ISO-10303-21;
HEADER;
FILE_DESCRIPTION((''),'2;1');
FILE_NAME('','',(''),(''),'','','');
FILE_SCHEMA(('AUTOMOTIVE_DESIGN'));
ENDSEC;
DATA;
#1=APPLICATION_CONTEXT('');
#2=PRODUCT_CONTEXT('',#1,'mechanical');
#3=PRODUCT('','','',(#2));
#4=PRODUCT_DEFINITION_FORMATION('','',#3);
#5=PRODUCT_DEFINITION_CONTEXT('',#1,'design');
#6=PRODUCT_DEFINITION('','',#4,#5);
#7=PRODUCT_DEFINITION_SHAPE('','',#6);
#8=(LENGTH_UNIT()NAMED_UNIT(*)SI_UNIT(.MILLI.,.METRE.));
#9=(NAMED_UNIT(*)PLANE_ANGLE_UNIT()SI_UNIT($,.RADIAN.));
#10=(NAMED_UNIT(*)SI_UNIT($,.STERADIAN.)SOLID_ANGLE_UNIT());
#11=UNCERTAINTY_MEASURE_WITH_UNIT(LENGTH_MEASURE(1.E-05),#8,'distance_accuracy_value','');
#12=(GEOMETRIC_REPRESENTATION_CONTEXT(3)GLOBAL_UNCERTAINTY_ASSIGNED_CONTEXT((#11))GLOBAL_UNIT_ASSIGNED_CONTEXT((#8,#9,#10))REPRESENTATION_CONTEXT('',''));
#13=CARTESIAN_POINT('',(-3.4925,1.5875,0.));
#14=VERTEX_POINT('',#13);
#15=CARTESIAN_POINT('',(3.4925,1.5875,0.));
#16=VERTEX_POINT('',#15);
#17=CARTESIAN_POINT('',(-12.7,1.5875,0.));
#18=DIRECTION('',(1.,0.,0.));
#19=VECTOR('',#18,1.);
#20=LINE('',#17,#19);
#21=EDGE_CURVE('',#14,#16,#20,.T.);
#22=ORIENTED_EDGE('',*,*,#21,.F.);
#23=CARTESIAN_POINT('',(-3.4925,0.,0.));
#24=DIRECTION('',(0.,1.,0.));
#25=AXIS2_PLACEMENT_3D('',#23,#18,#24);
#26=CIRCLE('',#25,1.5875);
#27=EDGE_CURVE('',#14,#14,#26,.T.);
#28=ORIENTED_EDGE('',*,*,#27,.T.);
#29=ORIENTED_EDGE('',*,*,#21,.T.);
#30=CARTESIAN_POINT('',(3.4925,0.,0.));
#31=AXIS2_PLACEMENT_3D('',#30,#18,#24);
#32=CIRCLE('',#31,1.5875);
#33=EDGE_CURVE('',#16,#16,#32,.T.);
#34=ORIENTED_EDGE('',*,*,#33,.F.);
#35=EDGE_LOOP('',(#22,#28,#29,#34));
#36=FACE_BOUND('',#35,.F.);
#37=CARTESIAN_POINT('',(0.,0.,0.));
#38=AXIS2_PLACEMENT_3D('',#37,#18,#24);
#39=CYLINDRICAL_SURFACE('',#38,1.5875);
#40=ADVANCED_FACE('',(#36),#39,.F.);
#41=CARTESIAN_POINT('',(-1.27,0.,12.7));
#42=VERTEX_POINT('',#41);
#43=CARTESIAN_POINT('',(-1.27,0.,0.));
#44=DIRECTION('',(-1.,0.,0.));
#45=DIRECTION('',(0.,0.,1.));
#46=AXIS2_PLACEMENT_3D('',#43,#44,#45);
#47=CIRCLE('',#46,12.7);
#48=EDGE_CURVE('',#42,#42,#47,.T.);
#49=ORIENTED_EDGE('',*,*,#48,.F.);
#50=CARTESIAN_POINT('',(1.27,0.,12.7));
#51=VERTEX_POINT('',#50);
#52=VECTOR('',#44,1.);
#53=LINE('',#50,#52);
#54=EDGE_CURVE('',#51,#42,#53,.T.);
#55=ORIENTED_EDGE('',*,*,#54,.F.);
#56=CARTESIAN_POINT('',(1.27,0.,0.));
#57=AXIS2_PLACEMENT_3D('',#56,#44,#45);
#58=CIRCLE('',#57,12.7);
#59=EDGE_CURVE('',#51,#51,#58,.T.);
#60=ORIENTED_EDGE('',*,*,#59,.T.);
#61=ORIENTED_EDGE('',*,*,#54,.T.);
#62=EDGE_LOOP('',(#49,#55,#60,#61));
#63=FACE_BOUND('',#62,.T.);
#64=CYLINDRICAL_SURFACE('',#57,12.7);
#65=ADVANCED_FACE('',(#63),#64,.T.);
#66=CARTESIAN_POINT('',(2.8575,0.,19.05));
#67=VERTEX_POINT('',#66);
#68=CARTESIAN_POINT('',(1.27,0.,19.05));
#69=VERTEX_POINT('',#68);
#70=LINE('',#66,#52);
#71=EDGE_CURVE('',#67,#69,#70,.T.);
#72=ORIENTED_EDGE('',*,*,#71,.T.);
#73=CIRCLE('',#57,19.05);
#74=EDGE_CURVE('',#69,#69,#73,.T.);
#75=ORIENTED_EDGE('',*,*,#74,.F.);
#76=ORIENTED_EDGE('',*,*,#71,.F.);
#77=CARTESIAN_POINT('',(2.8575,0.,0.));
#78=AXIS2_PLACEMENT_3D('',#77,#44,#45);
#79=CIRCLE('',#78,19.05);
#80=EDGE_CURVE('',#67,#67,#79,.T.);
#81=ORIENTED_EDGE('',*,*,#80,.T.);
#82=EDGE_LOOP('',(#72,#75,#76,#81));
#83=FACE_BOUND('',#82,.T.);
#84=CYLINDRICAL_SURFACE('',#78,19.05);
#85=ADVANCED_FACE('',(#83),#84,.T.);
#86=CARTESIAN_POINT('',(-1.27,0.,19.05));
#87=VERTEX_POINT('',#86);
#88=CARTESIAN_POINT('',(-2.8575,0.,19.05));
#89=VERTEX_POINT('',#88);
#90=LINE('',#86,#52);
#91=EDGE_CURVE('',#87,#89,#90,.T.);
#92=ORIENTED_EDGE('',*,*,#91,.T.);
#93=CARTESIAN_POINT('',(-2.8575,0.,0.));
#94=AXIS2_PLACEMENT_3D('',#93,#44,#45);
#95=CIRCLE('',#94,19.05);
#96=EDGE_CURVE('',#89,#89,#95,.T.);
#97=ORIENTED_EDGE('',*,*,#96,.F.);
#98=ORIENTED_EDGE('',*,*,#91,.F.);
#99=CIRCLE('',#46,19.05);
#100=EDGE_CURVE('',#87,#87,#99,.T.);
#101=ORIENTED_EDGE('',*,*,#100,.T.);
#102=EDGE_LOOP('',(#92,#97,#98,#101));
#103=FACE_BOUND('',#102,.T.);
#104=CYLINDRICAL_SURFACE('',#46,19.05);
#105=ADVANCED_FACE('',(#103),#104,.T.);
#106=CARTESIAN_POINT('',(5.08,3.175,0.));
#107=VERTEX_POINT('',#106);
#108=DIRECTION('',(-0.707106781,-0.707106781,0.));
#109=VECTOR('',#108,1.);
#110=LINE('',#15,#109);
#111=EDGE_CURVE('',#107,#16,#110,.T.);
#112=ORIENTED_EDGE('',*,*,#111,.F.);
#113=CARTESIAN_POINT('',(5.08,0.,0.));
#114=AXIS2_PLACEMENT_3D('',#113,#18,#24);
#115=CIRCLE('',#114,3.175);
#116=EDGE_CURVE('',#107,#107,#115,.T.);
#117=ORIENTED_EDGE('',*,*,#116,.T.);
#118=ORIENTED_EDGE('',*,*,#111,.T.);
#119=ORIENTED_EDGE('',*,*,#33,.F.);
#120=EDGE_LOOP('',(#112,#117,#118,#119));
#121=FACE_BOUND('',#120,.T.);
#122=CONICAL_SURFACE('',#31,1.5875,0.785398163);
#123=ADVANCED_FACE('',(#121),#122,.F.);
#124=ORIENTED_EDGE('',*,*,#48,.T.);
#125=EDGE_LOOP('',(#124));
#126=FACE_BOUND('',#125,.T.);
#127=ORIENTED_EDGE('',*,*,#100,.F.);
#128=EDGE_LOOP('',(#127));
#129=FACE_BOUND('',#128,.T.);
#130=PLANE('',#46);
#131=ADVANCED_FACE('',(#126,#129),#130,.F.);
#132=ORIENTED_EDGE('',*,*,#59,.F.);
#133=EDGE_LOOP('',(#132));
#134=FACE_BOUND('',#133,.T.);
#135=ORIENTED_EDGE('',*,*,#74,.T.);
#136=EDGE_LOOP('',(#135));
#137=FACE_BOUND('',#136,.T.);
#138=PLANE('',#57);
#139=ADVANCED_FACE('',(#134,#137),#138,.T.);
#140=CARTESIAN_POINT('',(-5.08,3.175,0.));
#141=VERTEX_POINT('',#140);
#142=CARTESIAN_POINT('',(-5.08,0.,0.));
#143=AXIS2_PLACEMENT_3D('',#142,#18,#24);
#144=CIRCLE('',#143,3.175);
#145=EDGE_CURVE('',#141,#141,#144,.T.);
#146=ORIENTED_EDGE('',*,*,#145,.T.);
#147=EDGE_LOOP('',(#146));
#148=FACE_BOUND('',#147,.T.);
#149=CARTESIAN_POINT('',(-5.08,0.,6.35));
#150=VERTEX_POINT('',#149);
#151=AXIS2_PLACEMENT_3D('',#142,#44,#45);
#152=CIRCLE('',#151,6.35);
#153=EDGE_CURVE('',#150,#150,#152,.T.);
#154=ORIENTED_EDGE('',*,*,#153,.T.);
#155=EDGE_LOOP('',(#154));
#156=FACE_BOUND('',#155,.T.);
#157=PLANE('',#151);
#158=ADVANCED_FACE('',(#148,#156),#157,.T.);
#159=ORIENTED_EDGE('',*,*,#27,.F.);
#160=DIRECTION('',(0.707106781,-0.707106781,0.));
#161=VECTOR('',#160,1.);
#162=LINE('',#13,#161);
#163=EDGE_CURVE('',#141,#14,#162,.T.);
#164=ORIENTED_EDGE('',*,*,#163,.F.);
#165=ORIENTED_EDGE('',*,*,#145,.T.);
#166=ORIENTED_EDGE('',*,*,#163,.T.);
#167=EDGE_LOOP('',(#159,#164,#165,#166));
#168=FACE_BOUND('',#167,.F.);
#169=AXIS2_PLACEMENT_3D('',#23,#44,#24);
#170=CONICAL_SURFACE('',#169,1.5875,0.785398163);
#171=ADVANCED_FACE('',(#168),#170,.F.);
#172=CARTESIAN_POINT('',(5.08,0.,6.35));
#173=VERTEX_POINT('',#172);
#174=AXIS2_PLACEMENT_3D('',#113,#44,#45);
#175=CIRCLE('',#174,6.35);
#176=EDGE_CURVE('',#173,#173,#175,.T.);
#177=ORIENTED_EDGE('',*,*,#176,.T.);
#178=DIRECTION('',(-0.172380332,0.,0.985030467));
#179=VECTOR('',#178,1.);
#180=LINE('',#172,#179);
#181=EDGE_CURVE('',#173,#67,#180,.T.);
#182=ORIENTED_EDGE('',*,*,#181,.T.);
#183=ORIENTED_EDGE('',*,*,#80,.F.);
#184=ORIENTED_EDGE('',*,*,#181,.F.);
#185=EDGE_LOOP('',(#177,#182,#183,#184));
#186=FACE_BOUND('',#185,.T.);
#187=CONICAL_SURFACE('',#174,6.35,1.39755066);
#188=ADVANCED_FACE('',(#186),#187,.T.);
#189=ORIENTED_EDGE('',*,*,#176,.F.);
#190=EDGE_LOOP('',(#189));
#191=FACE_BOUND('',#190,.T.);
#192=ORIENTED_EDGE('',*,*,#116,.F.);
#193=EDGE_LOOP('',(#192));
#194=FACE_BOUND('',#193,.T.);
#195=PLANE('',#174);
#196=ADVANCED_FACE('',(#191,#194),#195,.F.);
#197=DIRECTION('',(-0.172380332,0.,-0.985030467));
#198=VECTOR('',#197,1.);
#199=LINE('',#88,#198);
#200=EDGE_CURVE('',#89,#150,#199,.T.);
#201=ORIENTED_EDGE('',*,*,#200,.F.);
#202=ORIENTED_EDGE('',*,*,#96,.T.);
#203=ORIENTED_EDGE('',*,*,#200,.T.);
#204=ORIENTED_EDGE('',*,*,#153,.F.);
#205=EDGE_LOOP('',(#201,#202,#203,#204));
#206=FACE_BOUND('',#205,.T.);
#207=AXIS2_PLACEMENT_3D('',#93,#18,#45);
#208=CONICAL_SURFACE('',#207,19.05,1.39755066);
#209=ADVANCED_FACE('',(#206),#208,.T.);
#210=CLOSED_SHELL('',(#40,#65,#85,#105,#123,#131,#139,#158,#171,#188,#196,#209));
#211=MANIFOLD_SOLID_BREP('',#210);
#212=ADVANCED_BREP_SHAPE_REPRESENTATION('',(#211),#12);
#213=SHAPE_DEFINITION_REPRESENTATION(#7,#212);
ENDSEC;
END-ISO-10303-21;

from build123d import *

# Parameters (mm, degrees)
F2_R     = 1.5875
F3_DEPTH = 12.7
F4_SIZE  = 1.5875


with BuildPart() as f1:
    # F0 (on Front) → F1 (revolve)
    with BuildSketch(Plane.XZ):
        Polygon((1.27, 12.7), (0, 12.7), (-1.27, 12.7), (-1.27, 19.05), (-2.8575, 19.05), (-5.08, 6.35), (-5.08, 0), (5.08, 0), (5.08, 6.35), (2.8575, 19.05), (1.27, 19.05), align=None)
    revolve(axis=Axis((0, 0, 0), (-1, 0, 0)))

    # F2 (on Right) → F3 (cut, symmetric)
    with BuildSketch(Plane.YZ):
        Circle(F2_R)
    extrude(amount=F3_DEPTH, both=True, mode=Mode.SUBTRACT)

    # F4
    f4_edges = [f1.edges().sort_by_distance(p)[0] for p in [
        (5.08, -1.5875, 0),
        (-5.08, -1.5875, 0),
    ]]
    chamfer(f4_edges, length=F4_SIZE)


solid = f1.part
